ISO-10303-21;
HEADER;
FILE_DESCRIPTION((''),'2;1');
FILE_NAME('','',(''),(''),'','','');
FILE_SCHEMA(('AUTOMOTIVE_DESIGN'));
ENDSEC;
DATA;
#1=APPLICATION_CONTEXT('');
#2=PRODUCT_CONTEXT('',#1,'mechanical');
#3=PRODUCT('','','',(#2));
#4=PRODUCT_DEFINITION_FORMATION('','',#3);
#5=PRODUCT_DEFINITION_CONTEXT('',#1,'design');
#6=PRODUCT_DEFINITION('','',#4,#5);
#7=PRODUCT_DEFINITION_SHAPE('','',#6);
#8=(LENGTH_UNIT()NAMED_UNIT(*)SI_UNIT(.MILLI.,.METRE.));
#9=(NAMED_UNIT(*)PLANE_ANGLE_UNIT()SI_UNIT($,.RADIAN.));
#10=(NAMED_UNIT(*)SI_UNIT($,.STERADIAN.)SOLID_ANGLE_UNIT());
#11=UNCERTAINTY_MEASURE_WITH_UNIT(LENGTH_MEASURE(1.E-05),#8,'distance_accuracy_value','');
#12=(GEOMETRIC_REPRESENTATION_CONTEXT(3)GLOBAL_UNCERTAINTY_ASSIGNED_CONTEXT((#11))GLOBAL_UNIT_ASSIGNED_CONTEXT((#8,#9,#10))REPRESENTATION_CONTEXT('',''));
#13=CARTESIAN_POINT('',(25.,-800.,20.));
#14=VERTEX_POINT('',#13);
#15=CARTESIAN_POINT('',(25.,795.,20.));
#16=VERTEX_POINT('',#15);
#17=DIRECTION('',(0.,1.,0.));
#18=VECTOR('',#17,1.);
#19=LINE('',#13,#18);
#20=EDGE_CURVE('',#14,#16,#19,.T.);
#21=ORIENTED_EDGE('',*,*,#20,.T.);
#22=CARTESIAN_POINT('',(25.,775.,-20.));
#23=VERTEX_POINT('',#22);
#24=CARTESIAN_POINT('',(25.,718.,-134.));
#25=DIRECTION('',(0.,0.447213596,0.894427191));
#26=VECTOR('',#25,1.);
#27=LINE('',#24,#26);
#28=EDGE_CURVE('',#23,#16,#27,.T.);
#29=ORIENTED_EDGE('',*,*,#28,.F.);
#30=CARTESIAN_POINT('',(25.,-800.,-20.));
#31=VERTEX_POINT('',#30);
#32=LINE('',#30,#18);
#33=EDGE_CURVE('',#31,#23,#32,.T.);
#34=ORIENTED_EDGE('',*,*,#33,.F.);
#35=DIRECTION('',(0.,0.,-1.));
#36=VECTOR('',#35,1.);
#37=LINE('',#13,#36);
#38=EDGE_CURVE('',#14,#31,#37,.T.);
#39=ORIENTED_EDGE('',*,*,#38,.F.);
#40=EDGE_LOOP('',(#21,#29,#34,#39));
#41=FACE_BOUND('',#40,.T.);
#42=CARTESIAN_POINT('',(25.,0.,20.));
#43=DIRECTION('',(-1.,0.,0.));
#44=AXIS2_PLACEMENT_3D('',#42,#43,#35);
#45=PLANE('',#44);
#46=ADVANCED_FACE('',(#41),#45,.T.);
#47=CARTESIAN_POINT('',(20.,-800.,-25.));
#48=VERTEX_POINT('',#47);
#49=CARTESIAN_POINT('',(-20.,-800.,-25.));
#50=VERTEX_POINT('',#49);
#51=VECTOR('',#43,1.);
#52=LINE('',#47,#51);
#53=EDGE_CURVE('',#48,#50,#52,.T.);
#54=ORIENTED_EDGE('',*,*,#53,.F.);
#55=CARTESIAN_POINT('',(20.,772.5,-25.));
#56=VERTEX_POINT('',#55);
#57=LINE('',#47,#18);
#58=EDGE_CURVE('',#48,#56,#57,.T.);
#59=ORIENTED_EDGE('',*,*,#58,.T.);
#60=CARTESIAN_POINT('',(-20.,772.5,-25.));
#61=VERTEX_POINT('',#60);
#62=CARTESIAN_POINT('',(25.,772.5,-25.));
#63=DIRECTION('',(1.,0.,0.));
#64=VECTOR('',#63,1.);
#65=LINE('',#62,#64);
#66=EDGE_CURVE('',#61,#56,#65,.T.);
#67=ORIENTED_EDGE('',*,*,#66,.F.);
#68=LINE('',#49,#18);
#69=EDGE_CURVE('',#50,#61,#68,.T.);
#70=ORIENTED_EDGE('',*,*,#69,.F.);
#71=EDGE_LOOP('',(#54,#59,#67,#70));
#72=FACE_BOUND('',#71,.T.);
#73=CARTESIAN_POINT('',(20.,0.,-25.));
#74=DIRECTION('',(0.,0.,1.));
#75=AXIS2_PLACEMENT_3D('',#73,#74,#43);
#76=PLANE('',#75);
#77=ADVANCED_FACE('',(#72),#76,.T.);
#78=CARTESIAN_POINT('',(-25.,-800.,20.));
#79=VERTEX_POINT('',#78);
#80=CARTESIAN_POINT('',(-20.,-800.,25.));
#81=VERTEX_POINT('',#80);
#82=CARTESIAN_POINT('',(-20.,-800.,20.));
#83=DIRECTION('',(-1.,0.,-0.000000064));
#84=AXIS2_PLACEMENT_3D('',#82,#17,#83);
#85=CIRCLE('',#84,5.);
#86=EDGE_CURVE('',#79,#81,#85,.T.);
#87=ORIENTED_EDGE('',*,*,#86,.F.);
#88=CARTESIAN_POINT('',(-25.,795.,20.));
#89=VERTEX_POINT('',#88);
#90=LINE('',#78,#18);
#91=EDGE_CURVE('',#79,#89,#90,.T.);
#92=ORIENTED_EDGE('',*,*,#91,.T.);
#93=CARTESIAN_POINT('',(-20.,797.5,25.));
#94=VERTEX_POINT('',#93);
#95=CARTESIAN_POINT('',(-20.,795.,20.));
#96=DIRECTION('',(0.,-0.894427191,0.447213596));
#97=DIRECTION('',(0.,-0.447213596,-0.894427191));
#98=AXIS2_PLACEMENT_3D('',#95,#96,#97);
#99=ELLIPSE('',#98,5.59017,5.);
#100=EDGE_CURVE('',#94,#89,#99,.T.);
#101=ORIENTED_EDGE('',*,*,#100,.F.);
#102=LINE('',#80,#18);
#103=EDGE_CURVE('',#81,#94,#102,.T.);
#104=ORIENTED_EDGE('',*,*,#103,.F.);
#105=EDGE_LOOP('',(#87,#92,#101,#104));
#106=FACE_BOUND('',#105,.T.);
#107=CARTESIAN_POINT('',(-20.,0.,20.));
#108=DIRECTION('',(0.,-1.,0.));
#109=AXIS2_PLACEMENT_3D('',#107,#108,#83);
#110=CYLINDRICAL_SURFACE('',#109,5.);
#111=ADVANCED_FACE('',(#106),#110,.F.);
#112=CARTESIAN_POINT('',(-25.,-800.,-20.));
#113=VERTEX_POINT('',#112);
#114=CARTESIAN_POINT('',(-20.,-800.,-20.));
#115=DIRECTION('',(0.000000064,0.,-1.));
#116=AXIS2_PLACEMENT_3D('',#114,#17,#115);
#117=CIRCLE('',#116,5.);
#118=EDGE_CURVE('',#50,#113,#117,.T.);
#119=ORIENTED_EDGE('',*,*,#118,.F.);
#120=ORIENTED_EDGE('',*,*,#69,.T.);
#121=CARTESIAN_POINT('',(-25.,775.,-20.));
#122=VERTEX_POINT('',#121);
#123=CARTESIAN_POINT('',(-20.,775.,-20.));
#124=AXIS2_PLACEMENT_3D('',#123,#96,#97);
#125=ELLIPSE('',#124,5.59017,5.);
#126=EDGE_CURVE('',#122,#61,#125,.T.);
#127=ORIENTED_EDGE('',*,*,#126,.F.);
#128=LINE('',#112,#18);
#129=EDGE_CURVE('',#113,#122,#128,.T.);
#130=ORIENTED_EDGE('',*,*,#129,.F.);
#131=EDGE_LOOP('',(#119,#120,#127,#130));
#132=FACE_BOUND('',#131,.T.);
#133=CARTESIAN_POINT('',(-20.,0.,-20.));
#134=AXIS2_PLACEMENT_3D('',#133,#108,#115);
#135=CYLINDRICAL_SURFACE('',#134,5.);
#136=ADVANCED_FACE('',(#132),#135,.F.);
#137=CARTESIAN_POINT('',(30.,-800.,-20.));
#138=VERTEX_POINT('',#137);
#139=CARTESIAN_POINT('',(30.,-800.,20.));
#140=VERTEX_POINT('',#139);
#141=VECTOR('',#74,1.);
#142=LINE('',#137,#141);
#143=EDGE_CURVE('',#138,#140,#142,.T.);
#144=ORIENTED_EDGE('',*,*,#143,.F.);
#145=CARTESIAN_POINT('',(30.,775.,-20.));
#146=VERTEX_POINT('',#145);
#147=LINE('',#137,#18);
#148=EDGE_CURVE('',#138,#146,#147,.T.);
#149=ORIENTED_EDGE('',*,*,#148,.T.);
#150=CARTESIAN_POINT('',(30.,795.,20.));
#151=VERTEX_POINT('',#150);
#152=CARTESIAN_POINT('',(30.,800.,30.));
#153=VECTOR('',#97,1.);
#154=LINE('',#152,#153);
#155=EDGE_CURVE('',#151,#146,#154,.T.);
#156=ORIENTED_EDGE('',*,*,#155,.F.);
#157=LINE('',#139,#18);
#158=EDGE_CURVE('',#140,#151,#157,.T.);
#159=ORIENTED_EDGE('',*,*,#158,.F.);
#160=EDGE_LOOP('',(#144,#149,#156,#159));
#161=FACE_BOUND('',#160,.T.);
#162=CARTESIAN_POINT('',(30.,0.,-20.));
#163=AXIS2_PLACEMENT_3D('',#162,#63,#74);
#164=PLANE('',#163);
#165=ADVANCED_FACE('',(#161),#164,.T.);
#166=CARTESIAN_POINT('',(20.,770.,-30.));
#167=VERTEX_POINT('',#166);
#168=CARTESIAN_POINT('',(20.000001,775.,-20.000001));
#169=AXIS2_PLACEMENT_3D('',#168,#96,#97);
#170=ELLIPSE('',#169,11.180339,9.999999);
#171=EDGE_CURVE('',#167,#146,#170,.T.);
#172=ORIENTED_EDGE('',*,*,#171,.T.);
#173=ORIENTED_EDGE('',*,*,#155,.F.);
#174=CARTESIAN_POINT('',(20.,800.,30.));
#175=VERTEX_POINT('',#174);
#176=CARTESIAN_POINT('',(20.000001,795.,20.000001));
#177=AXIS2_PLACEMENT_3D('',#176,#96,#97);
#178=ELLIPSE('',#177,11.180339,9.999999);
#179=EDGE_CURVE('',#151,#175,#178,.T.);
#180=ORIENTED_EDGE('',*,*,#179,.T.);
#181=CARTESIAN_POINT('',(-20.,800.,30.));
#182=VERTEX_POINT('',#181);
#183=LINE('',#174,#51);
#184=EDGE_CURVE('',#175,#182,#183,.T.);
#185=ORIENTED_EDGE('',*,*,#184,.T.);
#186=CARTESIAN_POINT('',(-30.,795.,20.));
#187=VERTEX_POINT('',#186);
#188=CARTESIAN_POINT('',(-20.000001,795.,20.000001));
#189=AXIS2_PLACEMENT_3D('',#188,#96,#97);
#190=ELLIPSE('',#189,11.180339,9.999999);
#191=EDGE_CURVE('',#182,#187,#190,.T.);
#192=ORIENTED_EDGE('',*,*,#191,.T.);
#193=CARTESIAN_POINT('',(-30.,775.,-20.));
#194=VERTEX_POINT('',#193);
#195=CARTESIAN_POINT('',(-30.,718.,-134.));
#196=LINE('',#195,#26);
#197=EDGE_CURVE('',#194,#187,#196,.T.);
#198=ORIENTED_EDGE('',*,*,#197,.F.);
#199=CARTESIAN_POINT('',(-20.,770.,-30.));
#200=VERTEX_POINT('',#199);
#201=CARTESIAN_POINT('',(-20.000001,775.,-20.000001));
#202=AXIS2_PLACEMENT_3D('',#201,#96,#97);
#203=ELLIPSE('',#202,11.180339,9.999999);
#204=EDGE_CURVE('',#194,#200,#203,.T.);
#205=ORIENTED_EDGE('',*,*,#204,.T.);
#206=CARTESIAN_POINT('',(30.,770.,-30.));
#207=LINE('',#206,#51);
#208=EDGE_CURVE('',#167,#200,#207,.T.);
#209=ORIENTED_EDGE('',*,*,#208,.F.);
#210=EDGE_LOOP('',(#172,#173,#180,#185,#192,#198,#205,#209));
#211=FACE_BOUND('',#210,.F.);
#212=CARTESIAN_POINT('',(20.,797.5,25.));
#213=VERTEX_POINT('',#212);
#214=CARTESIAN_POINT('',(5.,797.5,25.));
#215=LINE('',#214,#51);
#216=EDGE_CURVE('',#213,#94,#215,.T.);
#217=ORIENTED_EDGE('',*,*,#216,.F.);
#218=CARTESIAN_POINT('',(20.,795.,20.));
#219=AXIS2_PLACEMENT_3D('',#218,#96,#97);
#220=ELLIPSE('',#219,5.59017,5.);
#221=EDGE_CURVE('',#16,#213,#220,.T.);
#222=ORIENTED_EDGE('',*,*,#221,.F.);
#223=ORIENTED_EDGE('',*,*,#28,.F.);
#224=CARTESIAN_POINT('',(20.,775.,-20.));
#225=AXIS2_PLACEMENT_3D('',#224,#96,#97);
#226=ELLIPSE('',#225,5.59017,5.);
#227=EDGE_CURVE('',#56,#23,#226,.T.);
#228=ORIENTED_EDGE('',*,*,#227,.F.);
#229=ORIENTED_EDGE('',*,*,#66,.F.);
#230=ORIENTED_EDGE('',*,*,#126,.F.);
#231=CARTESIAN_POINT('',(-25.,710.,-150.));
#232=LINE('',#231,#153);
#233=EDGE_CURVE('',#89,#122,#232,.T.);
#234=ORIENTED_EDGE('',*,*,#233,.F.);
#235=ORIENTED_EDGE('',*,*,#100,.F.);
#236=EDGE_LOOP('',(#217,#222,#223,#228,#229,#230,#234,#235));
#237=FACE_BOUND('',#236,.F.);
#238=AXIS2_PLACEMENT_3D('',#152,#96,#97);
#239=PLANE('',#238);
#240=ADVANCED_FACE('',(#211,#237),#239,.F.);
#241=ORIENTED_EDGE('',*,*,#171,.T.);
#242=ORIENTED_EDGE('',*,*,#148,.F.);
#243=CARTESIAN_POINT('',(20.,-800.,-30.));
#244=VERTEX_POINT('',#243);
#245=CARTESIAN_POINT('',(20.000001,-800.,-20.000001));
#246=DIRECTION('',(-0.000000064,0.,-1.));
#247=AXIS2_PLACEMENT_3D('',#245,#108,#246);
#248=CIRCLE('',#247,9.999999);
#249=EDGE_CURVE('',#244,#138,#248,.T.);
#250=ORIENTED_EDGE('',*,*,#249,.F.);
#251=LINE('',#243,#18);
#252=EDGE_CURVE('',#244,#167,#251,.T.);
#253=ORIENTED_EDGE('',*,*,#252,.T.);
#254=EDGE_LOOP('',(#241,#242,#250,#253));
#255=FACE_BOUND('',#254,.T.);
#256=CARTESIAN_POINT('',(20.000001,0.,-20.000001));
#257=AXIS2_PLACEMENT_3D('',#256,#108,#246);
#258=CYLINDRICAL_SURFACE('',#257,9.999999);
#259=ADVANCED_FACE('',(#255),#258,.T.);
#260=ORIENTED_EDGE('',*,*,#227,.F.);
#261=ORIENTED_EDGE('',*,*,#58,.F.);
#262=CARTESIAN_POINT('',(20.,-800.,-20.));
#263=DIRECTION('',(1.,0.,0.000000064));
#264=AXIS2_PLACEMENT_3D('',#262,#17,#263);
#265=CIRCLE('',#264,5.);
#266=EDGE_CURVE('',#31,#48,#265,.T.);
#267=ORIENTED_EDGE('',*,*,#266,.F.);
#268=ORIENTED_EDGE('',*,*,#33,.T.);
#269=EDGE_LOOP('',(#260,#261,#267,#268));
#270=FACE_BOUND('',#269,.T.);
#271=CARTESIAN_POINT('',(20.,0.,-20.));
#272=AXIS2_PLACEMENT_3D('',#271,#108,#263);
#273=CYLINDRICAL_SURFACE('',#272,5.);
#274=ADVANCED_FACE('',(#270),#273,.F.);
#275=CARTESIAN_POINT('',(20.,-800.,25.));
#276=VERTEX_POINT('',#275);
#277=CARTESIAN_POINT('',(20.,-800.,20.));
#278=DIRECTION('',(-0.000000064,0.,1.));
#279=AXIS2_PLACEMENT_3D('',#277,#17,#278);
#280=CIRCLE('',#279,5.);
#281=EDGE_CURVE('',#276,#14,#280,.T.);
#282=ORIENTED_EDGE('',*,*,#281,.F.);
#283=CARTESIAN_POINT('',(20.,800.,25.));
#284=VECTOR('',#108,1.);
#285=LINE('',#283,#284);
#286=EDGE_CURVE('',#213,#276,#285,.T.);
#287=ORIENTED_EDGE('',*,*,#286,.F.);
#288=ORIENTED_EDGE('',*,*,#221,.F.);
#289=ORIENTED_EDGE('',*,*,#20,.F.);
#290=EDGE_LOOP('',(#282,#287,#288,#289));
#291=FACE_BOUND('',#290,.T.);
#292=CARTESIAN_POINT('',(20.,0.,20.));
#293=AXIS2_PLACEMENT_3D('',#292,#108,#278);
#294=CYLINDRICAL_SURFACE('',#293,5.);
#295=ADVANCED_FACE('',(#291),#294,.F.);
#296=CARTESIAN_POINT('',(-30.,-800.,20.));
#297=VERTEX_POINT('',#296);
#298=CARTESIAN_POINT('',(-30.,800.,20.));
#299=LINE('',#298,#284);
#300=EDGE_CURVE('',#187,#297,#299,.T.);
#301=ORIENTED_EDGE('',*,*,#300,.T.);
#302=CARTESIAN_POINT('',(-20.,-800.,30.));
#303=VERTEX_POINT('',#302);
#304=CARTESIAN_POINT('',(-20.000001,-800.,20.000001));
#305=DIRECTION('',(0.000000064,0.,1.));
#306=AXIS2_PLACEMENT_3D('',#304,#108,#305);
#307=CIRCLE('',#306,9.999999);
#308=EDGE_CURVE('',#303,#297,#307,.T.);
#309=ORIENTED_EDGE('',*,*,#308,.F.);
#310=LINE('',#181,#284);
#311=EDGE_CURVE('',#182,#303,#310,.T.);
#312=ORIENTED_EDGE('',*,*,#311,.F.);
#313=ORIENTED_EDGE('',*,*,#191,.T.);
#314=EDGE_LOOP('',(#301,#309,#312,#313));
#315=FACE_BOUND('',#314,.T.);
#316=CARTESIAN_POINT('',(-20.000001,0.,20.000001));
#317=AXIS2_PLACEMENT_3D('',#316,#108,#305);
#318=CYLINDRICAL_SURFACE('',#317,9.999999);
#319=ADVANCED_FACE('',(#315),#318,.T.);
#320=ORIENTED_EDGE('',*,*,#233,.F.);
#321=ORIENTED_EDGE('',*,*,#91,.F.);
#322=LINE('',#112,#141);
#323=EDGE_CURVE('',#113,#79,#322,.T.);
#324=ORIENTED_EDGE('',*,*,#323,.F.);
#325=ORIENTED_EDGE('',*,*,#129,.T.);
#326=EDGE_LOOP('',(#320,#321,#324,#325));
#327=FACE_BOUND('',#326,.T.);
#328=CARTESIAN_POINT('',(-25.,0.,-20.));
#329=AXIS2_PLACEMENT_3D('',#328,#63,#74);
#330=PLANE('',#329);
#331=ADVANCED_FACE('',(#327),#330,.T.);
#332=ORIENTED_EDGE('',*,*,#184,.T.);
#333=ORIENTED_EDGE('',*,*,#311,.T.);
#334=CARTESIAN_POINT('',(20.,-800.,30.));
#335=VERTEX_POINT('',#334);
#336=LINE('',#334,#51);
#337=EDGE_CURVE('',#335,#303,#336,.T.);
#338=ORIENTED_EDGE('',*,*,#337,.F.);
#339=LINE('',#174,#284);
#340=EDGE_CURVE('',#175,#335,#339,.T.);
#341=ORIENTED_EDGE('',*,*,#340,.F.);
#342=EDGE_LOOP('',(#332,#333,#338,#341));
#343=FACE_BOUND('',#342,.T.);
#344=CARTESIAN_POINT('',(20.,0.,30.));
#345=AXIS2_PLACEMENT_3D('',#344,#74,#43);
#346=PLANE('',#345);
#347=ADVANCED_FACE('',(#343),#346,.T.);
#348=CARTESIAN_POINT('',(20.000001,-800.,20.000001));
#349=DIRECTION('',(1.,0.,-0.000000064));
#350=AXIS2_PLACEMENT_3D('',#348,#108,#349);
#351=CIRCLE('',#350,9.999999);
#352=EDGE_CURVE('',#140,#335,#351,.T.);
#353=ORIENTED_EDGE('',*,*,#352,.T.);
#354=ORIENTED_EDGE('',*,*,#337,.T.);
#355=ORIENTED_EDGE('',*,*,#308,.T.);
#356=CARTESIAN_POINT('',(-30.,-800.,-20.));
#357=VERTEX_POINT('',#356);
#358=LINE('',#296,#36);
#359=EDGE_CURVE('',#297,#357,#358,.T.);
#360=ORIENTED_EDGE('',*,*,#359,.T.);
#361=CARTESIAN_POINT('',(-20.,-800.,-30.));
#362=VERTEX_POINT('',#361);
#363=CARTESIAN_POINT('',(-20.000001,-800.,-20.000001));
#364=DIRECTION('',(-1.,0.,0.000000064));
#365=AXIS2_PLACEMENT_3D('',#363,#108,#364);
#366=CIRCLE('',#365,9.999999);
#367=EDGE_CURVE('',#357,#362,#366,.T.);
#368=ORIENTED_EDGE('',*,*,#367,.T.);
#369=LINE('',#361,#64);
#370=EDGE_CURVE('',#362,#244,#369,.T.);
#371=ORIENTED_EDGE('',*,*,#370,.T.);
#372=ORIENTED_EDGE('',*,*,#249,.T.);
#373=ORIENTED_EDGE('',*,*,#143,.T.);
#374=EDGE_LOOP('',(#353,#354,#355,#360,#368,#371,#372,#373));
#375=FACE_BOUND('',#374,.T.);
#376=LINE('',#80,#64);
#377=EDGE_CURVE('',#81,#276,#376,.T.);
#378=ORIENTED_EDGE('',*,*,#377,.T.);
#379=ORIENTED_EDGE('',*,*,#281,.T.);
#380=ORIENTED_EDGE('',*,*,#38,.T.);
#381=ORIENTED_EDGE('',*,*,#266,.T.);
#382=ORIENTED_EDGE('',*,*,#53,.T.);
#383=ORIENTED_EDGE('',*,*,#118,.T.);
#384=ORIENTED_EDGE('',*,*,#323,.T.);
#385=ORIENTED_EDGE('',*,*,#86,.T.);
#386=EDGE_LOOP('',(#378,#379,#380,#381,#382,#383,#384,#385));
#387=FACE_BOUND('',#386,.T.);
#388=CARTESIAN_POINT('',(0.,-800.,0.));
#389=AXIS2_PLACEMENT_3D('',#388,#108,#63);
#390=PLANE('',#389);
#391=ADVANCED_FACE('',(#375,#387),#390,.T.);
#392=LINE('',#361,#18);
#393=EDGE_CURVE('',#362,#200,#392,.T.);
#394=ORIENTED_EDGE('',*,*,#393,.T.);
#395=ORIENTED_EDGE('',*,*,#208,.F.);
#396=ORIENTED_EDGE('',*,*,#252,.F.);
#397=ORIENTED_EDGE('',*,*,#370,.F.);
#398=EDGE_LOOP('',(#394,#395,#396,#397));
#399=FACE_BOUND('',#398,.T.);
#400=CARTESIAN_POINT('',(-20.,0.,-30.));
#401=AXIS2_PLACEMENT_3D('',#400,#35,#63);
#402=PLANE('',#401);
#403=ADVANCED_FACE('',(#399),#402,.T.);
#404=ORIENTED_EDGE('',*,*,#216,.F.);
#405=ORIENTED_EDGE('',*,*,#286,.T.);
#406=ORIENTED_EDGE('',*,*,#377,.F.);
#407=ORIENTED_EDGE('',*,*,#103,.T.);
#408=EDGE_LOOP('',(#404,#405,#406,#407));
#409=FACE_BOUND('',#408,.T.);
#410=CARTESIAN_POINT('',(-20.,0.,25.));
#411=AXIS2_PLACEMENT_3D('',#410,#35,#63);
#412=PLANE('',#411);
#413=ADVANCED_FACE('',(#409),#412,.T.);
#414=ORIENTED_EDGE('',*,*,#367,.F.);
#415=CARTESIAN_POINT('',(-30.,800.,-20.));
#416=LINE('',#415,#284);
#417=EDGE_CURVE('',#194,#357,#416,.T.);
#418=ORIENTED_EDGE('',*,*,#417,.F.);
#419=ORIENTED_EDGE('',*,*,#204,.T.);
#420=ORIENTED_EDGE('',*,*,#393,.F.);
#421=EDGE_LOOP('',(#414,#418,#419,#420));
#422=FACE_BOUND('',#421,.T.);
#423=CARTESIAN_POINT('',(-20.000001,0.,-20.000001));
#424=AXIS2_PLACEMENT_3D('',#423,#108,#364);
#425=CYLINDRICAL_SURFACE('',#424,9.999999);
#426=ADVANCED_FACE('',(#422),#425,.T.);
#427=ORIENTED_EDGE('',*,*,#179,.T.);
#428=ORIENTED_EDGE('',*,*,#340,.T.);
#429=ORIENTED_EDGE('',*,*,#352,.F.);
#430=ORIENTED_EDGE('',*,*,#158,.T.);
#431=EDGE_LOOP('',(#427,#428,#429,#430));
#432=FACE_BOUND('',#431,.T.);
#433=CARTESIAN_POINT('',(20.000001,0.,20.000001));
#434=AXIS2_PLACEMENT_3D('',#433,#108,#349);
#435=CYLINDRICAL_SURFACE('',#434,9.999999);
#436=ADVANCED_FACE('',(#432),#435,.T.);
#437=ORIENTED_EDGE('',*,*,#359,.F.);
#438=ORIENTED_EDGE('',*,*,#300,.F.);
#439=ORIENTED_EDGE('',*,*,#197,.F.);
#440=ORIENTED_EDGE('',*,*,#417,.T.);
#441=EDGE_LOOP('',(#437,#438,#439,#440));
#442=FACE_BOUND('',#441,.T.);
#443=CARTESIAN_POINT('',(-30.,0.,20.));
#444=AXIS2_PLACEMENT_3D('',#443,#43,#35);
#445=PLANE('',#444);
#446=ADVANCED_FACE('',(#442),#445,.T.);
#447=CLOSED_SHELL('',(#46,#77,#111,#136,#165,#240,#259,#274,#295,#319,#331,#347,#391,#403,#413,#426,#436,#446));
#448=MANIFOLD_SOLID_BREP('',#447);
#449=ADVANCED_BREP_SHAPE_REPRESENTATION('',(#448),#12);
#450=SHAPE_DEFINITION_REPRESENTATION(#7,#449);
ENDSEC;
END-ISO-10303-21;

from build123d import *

# Parameters (mm, degrees)
F1_DEPTH = 800
F3_DEPTH = 60.001


with BuildPart() as f1:
    # F0 (on Front) → F1 (new body, symmetric)
    with BuildSketch(Plane.XZ):
        with BuildLine():
            ThreePointArc((30, 20), (27.071068, 27.071068), (20, 30))
            Line((20, 30), (-20, 30))
            ThreePointArc((-20, 30), (-27.071068, 27.071068), (-30, 20))
            Line((-30, 20), (-30, -20))
            ThreePointArc((-30, -20), (-27.071068, -27.071068), (-20, -30))
            Line((-20, -30), (20, -30))
            ThreePointArc((20, -30), (27.071068, -27.071068), (30, -20))
            Line((30, -20), (30, 20))
        make_face()
        with BuildLine():
            ThreePointArc((20, 25), (23.535534, 23.535534), (25, 20))
            Line((25, 20), (25, -20))
            ThreePointArc((25, -20), (23.535534, -23.535534), (20, -25))
            Line((20, -25), (-20, -25))
            ThreePointArc((-20, -25), (-23.535534, -23.535534), (-25, -20))
            Line((-25, -20), (-25, 20))
            ThreePointArc((-25, 20), (-23.535534, 23.535534), (-20, 25))
            Line((-20, 25), (20, 25))
        make_face(mode=Mode.SUBTRACT)
    extrude(amount=F1_DEPTH, both=True)

    # F2 (on face) → F3 (cut, through all)
    with BuildSketch(Plane.YZ.offset(30)):
        Polygon((800, -30), (800, 30), (770, -30), align=None)
    extrude(amount=-F3_DEPTH, mode=Mode.SUBTRACT)


solid = f1.part
